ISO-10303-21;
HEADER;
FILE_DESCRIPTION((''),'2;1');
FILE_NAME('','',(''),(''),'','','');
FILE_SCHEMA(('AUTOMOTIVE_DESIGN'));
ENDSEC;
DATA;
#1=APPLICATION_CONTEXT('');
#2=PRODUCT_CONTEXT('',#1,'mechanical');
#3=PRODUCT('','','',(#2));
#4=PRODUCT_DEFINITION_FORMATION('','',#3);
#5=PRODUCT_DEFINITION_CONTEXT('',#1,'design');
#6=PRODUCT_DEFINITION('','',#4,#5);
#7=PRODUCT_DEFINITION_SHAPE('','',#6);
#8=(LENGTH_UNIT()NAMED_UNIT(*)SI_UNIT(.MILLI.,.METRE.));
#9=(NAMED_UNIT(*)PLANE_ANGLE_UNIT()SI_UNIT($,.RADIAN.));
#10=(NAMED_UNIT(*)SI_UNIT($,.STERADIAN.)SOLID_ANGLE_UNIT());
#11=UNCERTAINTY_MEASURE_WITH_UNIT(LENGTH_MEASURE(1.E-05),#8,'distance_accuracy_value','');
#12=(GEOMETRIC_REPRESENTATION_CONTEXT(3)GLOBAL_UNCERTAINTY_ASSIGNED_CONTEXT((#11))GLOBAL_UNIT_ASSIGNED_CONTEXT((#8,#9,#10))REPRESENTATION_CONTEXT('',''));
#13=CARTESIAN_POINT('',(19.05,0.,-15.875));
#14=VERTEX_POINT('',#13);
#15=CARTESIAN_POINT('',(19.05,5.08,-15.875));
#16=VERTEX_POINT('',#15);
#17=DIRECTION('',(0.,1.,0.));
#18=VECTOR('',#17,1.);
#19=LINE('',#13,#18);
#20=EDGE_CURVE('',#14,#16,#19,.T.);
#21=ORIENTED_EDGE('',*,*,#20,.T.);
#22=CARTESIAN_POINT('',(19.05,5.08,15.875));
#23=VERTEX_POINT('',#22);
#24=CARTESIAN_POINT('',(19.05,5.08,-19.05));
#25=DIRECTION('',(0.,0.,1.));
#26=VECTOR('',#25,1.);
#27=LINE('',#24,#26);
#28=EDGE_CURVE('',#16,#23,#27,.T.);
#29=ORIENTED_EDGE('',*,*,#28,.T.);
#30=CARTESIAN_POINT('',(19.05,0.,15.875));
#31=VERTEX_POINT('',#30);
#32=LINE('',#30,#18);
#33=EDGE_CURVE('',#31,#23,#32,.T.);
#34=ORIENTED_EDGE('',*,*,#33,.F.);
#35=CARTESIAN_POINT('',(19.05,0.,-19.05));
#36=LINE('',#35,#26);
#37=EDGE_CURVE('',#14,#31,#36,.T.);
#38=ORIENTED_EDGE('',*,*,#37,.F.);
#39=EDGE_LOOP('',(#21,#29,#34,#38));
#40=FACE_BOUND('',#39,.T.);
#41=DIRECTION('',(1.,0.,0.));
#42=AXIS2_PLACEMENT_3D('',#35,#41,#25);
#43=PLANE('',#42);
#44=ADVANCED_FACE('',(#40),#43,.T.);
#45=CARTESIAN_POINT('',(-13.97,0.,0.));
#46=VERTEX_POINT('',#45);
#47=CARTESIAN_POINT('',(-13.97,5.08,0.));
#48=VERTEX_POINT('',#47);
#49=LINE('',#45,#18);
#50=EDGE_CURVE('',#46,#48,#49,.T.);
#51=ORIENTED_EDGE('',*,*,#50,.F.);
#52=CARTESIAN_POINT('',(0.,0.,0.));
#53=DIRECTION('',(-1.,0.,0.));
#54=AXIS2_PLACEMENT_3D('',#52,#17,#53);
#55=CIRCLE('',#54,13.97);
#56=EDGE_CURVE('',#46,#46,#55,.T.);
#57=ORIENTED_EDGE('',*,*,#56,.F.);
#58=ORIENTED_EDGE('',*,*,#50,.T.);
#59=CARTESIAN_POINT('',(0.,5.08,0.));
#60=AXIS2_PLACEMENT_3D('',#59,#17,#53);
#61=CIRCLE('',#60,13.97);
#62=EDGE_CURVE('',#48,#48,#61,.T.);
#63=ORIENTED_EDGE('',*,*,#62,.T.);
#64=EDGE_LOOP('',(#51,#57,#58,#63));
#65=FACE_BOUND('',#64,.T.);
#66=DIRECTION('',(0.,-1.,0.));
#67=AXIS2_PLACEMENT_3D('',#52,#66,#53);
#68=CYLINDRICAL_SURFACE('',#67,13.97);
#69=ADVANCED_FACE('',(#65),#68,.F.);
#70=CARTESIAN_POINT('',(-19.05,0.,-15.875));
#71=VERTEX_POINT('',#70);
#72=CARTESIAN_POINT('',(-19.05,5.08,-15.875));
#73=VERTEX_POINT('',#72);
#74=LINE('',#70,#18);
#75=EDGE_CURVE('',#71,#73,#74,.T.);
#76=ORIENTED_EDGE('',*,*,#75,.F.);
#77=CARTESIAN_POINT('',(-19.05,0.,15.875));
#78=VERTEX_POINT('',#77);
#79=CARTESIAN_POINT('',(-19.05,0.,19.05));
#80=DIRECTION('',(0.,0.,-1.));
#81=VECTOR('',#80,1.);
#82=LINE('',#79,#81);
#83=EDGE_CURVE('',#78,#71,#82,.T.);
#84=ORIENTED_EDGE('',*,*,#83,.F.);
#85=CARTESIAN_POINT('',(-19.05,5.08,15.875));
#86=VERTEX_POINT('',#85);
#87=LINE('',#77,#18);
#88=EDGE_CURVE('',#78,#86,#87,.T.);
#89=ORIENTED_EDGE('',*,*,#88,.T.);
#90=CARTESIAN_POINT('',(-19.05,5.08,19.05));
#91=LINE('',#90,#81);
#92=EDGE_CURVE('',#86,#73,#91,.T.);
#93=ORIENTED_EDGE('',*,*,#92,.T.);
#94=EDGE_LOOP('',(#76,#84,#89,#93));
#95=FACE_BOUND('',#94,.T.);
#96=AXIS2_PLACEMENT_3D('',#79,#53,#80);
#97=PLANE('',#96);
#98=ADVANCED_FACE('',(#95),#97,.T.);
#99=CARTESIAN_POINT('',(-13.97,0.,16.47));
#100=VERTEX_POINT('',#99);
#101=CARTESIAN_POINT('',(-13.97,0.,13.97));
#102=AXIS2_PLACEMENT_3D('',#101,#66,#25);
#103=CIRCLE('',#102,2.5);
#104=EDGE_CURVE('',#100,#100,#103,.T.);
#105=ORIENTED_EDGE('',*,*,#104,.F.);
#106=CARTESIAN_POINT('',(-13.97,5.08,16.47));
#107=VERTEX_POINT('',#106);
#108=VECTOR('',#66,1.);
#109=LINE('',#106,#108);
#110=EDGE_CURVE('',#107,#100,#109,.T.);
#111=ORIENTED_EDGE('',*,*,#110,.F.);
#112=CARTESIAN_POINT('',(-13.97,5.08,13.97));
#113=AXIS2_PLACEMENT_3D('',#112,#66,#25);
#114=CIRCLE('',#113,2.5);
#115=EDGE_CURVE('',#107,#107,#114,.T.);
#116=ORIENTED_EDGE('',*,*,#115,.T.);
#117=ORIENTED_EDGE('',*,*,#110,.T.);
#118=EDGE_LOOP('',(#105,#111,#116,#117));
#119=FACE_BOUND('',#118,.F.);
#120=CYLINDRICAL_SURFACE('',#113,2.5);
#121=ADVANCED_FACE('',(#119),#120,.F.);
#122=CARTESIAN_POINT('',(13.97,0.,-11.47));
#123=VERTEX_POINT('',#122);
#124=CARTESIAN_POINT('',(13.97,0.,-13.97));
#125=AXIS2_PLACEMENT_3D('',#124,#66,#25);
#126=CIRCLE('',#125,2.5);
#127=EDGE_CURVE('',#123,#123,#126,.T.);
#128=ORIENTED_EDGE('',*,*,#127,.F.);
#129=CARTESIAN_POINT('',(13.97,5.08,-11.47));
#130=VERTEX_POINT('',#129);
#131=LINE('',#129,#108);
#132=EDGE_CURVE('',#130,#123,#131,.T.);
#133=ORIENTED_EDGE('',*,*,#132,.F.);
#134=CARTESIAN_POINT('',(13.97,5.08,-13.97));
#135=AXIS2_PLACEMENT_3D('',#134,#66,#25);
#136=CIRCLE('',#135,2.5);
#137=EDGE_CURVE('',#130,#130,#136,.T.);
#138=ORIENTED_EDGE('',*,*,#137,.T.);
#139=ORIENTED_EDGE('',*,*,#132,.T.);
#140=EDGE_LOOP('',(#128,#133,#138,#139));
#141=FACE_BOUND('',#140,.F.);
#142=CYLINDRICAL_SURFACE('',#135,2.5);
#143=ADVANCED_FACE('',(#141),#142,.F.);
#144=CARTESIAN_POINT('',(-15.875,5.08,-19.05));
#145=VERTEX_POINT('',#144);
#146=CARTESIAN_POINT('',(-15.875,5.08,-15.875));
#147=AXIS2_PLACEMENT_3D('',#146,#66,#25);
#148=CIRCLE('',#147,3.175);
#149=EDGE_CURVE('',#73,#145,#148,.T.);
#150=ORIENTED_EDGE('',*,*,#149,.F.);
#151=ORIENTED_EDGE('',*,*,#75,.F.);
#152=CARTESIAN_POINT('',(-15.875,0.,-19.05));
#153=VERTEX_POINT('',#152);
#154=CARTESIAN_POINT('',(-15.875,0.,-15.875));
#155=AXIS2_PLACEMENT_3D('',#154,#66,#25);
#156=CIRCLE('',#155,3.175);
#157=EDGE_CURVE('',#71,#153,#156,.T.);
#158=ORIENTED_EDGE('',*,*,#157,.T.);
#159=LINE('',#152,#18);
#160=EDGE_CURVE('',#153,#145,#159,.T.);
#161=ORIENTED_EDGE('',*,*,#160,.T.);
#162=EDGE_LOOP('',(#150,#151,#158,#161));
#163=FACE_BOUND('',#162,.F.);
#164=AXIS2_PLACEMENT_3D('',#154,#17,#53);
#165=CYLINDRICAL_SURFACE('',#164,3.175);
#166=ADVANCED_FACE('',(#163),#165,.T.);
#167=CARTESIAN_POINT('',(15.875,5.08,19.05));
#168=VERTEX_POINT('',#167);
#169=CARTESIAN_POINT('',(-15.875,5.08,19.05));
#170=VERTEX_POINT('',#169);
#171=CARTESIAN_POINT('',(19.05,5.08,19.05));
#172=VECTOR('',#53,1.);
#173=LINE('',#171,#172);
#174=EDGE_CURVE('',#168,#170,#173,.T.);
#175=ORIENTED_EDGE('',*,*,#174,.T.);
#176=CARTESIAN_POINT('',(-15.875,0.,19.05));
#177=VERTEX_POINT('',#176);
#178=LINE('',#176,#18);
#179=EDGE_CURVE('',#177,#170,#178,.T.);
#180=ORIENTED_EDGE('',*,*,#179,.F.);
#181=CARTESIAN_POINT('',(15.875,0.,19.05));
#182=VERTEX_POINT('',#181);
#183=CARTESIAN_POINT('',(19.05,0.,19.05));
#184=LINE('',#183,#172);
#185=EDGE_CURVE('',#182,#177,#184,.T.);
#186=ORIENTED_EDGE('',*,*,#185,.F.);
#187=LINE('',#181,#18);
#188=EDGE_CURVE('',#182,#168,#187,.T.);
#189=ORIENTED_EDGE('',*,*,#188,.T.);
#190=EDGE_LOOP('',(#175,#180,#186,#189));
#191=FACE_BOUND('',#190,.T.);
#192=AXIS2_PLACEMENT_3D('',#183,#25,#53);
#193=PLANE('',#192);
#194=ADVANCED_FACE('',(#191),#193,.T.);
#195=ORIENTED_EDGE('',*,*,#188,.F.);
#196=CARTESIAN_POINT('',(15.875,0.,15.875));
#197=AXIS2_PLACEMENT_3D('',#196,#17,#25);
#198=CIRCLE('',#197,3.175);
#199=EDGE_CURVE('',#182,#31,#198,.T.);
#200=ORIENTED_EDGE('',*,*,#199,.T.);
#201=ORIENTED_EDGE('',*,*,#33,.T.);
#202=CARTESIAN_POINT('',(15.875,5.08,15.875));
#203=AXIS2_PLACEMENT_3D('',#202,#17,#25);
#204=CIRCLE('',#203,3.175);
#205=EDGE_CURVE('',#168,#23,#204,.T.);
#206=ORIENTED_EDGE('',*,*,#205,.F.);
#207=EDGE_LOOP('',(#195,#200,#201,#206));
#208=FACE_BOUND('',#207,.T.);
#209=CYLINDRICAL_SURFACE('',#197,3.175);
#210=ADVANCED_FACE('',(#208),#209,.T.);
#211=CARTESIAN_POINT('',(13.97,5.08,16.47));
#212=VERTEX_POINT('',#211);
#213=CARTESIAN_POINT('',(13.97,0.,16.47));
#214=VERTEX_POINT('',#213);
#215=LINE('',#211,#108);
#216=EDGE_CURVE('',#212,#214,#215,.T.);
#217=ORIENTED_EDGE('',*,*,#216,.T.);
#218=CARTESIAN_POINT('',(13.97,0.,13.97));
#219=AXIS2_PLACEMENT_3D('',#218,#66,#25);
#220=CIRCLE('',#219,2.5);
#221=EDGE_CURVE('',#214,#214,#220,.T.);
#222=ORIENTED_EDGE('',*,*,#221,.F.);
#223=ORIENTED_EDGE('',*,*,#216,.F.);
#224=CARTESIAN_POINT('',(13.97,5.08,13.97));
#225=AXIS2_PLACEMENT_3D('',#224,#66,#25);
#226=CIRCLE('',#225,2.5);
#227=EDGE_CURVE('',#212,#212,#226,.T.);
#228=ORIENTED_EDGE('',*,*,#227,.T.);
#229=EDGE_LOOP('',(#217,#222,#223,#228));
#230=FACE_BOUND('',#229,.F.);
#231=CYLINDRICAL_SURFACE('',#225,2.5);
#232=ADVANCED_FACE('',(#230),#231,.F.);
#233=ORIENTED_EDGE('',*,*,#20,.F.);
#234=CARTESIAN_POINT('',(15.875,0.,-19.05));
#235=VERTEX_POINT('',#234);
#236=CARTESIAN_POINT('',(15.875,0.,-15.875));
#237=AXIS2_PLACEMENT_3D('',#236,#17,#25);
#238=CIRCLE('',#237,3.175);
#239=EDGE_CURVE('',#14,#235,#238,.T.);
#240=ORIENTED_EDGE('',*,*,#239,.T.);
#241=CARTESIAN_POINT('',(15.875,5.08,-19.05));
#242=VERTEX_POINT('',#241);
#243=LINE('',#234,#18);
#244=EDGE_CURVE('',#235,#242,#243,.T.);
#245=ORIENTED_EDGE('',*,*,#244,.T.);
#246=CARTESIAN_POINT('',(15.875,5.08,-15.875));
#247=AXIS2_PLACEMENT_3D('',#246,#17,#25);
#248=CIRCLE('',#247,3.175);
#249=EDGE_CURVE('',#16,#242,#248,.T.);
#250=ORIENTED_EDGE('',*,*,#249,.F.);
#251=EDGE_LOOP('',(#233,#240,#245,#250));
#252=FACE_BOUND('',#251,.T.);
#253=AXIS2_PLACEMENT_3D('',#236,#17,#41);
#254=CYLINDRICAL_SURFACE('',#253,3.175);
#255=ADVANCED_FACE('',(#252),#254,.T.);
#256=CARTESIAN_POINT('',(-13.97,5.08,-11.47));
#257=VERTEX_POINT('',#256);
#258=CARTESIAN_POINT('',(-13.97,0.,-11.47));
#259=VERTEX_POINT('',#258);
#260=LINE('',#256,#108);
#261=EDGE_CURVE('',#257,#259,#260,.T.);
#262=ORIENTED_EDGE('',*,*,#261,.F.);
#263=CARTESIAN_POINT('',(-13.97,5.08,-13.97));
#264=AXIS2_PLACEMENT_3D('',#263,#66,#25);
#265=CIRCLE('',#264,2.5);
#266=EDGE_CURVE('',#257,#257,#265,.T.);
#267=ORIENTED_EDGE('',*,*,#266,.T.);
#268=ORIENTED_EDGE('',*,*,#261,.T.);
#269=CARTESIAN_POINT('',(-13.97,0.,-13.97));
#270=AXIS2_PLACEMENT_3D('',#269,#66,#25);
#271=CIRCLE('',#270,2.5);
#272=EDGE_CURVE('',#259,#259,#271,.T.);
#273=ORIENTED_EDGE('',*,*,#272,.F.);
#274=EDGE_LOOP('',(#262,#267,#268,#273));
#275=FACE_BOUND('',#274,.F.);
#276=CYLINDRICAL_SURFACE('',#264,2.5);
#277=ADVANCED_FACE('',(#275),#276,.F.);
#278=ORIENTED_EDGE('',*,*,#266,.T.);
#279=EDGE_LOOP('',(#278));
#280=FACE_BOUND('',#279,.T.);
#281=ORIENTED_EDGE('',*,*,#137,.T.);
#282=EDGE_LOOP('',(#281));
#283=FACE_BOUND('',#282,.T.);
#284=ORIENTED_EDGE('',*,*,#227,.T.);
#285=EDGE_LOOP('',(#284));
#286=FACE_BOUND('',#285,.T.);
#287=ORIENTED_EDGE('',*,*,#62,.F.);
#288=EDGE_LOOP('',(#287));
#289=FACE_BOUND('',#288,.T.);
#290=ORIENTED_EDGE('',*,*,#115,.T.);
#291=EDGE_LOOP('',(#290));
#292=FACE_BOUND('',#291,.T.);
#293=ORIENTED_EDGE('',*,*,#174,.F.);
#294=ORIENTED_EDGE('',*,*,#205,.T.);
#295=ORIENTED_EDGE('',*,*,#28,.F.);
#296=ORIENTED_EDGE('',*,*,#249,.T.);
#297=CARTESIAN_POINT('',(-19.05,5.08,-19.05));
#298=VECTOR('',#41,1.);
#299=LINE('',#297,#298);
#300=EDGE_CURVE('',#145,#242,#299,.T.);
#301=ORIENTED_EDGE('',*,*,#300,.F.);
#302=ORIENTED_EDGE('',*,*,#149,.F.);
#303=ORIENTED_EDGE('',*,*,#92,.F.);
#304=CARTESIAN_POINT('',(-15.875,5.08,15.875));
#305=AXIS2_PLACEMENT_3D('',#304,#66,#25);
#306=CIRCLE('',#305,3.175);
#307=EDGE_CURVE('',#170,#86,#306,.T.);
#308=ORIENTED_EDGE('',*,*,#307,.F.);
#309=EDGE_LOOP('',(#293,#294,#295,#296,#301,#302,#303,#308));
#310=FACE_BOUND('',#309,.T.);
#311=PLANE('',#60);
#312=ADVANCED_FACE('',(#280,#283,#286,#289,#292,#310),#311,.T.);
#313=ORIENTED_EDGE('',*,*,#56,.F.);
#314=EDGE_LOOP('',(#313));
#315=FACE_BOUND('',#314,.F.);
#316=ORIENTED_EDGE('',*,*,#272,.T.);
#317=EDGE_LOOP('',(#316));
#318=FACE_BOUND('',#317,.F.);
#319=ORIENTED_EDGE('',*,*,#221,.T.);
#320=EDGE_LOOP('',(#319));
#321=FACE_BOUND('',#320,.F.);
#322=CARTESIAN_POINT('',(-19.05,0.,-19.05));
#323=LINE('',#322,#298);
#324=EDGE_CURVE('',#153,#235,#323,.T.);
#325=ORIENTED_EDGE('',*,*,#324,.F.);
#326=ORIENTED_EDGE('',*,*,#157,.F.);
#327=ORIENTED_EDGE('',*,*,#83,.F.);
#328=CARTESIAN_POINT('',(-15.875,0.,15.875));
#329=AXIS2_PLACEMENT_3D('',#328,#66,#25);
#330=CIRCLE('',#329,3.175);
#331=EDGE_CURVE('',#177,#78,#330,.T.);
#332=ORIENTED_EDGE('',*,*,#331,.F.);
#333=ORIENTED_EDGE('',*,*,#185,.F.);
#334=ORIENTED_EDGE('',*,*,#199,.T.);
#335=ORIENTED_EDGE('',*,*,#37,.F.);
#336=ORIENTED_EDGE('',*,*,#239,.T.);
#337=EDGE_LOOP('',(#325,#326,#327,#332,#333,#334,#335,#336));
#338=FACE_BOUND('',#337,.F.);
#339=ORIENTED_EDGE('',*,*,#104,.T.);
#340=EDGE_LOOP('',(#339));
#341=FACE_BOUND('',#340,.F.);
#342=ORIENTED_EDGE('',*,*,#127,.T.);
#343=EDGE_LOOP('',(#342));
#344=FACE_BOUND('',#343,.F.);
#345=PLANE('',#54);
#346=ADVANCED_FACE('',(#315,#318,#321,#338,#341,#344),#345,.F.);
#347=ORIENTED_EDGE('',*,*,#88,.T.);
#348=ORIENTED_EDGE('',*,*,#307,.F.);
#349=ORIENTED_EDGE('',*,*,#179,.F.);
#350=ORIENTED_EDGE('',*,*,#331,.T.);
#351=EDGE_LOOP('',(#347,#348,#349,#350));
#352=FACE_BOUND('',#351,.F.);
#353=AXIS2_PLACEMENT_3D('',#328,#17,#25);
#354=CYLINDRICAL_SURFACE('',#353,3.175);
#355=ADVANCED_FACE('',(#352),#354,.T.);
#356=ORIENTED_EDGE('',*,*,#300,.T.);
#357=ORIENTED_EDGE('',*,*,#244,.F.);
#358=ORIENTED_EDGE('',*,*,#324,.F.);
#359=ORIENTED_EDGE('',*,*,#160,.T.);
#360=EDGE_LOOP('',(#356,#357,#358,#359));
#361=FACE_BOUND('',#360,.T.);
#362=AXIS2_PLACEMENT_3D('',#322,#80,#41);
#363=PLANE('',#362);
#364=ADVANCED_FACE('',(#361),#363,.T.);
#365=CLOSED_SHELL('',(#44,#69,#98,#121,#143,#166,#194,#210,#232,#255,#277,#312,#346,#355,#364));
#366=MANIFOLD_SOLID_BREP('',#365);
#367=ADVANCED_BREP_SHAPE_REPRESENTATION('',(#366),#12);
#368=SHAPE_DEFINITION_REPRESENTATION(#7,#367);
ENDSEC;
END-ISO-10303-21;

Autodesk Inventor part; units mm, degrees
ref_plane "YZ Plane" through (0, 0, 0) normal (1, 0, 0) x (0, 1, 0)
ref_plane "XZ Plane" through (0, 0, 0) normal (0, 1, 0) x (-1, 0, 0)
ref_plane "XY Plane" through (0, 0, 0) normal (0, 0, 1) x (1, 0, 0)
sketch "Sketch1" plane through (0, 0, 0) normal (0, 1, 0) x (-1, 0, 0)
  circle A0 centre (0, 0) radius 13.97
  line L0 (-19.05, 19.05) -> (19.05, 19.05)
  line L1 (19.05, 19.05) -> (19.05, -19.05)
  line L2 (19.05, -19.05) -> (-19.05, -19.05)
  line L3 (-19.05, -19.05) -> (-19.05, 19.05)
  line L4 (-19.05, 19.05) -> (19.05, -19.05) construction
  line L5 (19.05, 19.05) -> (-19.05, -19.05) construction
  dimension "d0" = 27.94
  dimension "d1" = 38.1
  dimension "d2" = 38.1
extrude "Extrusion1" add sketch "Sketch1" along normal blind 5.08
sketch "Sketch2" plane through (0, 5.08, 0) normal (0, 1, 0) x (1, 0, 0)
  circle A0 centre (0, 0) radius 13.97 construction
  line L0 (-19.05, -19.05) -> (-19.05, 19.05) construction
  line L1 (-19.05, 19.05) -> (19.05, 19.05) construction
  line L2 (19.05, 19.05) -> (19.05, -19.05) construction
  line L3 (19.05, -19.05) -> (-19.05, -19.05) construction
  line L4 (-19.05, -19.05) -> (0, 0) construction
  point P0 (-13.97, -13.97)
  point P1 (13.97, -13.97)
  point P2 (13.97, 13.97)
  point P3 (-13.97, 13.97)
  dimension "d5" = 13.97
  dimension "d8" = 360
hole "Hole1" at (-13.97, 5.08, 13.97) at (13.97, 5.08, 13.97) at (13.97, 5.08, -13.97) at (-13.97, 5.08, -13.97) direction (0, -1, 0) diameter 5 end through all
fillet "Fillet1" radius 3.175 4 edges at (-19.05, 2.54, 19.05) (-19.05, 2.54, -19.05) (19.05, 2.54, -19.05) (19.05, 2.54, 19.05)
equation "\"d2\" = d1"
properties part number "BearingMount" material "Wood (Birch)"
